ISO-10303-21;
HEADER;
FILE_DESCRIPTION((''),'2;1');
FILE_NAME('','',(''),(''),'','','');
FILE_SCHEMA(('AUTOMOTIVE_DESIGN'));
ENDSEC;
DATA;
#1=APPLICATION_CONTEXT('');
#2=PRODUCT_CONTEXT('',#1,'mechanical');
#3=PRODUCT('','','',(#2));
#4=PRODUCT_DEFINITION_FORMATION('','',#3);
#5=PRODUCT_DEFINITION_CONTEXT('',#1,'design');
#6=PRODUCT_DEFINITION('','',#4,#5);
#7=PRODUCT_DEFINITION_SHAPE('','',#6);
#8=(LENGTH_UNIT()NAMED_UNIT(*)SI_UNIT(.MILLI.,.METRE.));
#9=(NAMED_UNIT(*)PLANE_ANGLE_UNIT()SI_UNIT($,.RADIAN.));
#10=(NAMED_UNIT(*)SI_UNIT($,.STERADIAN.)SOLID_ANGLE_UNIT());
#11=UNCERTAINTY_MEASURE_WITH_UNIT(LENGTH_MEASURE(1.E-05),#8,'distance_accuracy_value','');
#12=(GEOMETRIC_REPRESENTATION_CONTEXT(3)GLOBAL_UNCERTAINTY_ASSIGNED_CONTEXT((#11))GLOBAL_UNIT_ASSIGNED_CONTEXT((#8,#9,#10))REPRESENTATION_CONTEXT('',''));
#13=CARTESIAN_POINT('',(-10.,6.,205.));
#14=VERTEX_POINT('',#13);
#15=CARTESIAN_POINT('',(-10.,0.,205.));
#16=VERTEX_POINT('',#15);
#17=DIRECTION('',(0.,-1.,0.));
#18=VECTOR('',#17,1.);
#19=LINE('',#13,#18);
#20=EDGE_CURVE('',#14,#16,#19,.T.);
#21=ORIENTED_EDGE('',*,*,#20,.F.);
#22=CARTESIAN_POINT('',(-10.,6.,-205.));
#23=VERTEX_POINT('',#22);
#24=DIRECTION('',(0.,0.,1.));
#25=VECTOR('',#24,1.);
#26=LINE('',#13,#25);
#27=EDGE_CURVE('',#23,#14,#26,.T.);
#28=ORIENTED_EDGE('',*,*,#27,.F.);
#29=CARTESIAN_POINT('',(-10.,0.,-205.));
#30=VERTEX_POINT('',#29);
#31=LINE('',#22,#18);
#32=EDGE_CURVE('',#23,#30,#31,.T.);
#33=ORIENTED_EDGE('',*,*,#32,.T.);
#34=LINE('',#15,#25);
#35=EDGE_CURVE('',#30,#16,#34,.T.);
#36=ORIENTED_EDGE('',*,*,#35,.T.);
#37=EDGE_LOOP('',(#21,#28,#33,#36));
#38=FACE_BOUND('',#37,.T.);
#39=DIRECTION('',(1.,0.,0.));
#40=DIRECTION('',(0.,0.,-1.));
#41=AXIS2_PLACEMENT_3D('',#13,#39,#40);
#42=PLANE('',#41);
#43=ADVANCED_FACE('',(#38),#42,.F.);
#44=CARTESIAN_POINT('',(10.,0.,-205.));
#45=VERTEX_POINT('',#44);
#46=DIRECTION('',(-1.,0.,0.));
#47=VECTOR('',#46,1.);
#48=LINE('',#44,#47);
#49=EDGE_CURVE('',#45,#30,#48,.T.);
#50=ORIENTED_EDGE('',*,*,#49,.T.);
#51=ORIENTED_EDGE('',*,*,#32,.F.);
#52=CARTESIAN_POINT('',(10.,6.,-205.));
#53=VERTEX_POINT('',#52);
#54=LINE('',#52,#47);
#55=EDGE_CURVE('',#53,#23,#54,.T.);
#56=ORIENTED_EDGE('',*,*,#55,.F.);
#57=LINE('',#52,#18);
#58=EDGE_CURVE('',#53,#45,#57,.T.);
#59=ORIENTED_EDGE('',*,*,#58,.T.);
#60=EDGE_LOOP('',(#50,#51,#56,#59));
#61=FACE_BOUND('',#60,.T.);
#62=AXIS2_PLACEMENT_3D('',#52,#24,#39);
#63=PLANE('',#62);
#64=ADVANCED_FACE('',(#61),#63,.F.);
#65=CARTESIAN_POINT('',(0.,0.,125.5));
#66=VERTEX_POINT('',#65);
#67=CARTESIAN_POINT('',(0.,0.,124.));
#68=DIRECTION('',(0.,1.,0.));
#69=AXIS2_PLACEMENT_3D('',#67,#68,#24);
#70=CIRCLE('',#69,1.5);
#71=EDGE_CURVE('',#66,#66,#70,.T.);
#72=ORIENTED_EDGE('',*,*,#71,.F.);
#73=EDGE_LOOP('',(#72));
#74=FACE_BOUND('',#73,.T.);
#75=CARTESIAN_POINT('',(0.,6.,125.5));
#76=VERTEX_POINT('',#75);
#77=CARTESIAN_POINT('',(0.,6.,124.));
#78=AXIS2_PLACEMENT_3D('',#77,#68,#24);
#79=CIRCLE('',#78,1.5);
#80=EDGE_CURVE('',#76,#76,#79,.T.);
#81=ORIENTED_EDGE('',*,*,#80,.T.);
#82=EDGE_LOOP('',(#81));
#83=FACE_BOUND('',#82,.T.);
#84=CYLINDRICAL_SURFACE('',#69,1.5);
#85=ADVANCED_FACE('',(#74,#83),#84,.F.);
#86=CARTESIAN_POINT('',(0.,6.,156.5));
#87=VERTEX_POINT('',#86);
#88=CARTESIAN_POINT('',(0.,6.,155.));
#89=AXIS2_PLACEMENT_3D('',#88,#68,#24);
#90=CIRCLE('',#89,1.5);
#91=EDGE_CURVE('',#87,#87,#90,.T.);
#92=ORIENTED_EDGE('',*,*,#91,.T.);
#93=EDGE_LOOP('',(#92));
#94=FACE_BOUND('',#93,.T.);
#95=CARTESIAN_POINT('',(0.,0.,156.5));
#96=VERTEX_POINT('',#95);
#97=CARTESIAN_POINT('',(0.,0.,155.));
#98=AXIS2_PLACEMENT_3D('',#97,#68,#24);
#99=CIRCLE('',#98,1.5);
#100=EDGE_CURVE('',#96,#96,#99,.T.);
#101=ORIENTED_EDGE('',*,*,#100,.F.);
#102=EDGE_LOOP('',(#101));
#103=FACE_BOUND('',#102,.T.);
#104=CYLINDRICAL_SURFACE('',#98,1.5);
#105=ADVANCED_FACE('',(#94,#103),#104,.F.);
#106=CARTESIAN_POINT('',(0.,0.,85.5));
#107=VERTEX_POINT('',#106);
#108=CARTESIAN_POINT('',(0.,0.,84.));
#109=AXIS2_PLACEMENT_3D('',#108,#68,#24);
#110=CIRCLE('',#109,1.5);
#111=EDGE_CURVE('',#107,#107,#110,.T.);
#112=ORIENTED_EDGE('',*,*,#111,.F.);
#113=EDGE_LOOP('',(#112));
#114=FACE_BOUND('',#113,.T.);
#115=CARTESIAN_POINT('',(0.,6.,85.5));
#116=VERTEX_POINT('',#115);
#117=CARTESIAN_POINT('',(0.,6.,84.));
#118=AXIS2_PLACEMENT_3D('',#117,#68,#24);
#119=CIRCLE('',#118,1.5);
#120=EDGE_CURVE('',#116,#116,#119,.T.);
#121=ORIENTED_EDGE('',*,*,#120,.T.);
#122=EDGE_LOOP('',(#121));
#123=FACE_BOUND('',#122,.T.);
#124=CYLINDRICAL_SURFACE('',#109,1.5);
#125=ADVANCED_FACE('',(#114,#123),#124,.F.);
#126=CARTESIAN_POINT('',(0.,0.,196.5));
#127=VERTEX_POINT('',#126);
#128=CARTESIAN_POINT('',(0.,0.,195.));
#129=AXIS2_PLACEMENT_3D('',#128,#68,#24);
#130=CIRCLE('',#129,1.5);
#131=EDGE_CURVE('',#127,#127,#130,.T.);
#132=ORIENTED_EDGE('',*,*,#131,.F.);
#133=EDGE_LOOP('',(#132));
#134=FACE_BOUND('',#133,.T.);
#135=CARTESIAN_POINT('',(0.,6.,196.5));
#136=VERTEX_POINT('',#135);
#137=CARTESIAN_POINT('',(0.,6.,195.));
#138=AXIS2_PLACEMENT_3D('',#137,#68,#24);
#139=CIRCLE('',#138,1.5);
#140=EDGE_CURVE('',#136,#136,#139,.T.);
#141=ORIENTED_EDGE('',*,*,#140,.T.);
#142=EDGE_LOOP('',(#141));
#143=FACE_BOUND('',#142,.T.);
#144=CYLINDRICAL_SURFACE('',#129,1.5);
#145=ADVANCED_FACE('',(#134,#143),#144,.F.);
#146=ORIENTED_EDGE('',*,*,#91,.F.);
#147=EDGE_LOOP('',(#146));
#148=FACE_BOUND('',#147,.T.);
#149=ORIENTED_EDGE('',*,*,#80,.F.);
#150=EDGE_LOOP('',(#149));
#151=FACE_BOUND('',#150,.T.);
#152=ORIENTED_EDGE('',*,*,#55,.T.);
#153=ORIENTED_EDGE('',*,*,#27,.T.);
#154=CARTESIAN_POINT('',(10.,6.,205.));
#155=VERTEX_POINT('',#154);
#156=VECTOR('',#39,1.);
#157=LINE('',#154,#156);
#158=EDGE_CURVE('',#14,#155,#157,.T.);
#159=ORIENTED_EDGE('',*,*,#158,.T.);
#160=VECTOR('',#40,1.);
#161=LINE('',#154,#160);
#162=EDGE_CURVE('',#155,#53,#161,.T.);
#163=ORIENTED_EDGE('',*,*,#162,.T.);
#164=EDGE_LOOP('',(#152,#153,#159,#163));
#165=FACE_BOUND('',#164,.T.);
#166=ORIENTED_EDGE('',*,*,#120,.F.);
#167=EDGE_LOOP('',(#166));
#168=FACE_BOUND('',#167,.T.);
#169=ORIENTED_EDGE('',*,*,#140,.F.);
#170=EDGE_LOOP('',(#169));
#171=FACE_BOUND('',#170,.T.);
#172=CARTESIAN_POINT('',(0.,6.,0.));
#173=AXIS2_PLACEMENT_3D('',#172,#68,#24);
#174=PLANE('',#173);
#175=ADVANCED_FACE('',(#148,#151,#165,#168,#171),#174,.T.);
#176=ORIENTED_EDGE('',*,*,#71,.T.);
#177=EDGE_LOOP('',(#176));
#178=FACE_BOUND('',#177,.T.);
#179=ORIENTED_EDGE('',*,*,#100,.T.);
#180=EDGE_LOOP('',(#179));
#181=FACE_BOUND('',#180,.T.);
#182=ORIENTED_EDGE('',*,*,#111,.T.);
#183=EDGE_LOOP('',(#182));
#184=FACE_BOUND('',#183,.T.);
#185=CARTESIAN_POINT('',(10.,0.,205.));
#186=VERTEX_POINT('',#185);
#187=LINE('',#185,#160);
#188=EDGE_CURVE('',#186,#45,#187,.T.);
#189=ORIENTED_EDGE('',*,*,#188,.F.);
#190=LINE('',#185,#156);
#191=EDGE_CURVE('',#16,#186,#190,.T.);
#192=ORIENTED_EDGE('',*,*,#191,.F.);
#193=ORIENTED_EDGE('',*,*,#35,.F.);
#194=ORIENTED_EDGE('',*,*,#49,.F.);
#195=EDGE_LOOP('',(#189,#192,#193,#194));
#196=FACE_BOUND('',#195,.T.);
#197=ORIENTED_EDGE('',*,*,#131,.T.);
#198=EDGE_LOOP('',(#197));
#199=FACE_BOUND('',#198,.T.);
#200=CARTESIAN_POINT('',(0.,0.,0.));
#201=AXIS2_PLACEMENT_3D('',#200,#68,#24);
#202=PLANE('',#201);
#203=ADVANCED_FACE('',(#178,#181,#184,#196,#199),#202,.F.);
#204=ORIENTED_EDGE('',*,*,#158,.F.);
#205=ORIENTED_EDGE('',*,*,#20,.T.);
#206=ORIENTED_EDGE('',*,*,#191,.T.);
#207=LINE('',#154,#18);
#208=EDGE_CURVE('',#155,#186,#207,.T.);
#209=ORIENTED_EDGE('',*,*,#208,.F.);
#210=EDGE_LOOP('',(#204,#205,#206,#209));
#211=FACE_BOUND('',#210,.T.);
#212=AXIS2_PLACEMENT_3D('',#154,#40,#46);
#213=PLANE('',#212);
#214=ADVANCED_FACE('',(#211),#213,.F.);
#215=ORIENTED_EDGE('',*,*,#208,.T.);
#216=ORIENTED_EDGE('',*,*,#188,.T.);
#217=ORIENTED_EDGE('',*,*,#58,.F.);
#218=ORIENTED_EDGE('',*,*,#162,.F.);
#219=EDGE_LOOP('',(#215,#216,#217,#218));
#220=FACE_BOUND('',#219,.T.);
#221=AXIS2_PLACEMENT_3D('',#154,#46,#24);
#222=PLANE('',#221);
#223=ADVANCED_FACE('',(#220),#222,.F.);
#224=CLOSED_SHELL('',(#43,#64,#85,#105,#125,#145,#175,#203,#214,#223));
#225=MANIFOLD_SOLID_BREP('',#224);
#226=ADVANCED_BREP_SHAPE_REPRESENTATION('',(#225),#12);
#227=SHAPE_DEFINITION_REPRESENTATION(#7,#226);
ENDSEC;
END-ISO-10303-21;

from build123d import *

# Parameters (mm, degrees)
SKETCH1_W           = 20
SKETCH1_H           = 410
BOSS_EXTRUDE1_DEPTH = 6
SKETCH2_R           = 1.5
CUT_EXTRUDE1_DEPTH  = 7


with BuildPart() as part:
    # Sketch1 → Boss-Extrude1 (new body)
    with BuildSketch(Plane(origin=(0, 0, 0), x_dir=(1, 0, 0), z_dir=(0, 1, 0))):
        Rectangle(SKETCH1_W, SKETCH1_H)
    extrude(amount=BOSS_EXTRUDE1_DEPTH)

    # Sketch2 → Cut-Extrude1 (cut, through all)
    with BuildSketch(Plane(origin=(0, 6, 0), x_dir=(1, 0, 0), z_dir=(0, 1, 0))):
        with Locations((0, -195)):
            Circle(SKETCH2_R)
        with Locations((0, -155)):
            Circle(SKETCH2_R)
        with Locations((0, -124)):
            Circle(SKETCH2_R)
        with Locations((0, -84)):
            Circle(SKETCH2_R)
    extrude(amount=-CUT_EXTRUDE1_DEPTH, mode=Mode.SUBTRACT)


solid = part.part
